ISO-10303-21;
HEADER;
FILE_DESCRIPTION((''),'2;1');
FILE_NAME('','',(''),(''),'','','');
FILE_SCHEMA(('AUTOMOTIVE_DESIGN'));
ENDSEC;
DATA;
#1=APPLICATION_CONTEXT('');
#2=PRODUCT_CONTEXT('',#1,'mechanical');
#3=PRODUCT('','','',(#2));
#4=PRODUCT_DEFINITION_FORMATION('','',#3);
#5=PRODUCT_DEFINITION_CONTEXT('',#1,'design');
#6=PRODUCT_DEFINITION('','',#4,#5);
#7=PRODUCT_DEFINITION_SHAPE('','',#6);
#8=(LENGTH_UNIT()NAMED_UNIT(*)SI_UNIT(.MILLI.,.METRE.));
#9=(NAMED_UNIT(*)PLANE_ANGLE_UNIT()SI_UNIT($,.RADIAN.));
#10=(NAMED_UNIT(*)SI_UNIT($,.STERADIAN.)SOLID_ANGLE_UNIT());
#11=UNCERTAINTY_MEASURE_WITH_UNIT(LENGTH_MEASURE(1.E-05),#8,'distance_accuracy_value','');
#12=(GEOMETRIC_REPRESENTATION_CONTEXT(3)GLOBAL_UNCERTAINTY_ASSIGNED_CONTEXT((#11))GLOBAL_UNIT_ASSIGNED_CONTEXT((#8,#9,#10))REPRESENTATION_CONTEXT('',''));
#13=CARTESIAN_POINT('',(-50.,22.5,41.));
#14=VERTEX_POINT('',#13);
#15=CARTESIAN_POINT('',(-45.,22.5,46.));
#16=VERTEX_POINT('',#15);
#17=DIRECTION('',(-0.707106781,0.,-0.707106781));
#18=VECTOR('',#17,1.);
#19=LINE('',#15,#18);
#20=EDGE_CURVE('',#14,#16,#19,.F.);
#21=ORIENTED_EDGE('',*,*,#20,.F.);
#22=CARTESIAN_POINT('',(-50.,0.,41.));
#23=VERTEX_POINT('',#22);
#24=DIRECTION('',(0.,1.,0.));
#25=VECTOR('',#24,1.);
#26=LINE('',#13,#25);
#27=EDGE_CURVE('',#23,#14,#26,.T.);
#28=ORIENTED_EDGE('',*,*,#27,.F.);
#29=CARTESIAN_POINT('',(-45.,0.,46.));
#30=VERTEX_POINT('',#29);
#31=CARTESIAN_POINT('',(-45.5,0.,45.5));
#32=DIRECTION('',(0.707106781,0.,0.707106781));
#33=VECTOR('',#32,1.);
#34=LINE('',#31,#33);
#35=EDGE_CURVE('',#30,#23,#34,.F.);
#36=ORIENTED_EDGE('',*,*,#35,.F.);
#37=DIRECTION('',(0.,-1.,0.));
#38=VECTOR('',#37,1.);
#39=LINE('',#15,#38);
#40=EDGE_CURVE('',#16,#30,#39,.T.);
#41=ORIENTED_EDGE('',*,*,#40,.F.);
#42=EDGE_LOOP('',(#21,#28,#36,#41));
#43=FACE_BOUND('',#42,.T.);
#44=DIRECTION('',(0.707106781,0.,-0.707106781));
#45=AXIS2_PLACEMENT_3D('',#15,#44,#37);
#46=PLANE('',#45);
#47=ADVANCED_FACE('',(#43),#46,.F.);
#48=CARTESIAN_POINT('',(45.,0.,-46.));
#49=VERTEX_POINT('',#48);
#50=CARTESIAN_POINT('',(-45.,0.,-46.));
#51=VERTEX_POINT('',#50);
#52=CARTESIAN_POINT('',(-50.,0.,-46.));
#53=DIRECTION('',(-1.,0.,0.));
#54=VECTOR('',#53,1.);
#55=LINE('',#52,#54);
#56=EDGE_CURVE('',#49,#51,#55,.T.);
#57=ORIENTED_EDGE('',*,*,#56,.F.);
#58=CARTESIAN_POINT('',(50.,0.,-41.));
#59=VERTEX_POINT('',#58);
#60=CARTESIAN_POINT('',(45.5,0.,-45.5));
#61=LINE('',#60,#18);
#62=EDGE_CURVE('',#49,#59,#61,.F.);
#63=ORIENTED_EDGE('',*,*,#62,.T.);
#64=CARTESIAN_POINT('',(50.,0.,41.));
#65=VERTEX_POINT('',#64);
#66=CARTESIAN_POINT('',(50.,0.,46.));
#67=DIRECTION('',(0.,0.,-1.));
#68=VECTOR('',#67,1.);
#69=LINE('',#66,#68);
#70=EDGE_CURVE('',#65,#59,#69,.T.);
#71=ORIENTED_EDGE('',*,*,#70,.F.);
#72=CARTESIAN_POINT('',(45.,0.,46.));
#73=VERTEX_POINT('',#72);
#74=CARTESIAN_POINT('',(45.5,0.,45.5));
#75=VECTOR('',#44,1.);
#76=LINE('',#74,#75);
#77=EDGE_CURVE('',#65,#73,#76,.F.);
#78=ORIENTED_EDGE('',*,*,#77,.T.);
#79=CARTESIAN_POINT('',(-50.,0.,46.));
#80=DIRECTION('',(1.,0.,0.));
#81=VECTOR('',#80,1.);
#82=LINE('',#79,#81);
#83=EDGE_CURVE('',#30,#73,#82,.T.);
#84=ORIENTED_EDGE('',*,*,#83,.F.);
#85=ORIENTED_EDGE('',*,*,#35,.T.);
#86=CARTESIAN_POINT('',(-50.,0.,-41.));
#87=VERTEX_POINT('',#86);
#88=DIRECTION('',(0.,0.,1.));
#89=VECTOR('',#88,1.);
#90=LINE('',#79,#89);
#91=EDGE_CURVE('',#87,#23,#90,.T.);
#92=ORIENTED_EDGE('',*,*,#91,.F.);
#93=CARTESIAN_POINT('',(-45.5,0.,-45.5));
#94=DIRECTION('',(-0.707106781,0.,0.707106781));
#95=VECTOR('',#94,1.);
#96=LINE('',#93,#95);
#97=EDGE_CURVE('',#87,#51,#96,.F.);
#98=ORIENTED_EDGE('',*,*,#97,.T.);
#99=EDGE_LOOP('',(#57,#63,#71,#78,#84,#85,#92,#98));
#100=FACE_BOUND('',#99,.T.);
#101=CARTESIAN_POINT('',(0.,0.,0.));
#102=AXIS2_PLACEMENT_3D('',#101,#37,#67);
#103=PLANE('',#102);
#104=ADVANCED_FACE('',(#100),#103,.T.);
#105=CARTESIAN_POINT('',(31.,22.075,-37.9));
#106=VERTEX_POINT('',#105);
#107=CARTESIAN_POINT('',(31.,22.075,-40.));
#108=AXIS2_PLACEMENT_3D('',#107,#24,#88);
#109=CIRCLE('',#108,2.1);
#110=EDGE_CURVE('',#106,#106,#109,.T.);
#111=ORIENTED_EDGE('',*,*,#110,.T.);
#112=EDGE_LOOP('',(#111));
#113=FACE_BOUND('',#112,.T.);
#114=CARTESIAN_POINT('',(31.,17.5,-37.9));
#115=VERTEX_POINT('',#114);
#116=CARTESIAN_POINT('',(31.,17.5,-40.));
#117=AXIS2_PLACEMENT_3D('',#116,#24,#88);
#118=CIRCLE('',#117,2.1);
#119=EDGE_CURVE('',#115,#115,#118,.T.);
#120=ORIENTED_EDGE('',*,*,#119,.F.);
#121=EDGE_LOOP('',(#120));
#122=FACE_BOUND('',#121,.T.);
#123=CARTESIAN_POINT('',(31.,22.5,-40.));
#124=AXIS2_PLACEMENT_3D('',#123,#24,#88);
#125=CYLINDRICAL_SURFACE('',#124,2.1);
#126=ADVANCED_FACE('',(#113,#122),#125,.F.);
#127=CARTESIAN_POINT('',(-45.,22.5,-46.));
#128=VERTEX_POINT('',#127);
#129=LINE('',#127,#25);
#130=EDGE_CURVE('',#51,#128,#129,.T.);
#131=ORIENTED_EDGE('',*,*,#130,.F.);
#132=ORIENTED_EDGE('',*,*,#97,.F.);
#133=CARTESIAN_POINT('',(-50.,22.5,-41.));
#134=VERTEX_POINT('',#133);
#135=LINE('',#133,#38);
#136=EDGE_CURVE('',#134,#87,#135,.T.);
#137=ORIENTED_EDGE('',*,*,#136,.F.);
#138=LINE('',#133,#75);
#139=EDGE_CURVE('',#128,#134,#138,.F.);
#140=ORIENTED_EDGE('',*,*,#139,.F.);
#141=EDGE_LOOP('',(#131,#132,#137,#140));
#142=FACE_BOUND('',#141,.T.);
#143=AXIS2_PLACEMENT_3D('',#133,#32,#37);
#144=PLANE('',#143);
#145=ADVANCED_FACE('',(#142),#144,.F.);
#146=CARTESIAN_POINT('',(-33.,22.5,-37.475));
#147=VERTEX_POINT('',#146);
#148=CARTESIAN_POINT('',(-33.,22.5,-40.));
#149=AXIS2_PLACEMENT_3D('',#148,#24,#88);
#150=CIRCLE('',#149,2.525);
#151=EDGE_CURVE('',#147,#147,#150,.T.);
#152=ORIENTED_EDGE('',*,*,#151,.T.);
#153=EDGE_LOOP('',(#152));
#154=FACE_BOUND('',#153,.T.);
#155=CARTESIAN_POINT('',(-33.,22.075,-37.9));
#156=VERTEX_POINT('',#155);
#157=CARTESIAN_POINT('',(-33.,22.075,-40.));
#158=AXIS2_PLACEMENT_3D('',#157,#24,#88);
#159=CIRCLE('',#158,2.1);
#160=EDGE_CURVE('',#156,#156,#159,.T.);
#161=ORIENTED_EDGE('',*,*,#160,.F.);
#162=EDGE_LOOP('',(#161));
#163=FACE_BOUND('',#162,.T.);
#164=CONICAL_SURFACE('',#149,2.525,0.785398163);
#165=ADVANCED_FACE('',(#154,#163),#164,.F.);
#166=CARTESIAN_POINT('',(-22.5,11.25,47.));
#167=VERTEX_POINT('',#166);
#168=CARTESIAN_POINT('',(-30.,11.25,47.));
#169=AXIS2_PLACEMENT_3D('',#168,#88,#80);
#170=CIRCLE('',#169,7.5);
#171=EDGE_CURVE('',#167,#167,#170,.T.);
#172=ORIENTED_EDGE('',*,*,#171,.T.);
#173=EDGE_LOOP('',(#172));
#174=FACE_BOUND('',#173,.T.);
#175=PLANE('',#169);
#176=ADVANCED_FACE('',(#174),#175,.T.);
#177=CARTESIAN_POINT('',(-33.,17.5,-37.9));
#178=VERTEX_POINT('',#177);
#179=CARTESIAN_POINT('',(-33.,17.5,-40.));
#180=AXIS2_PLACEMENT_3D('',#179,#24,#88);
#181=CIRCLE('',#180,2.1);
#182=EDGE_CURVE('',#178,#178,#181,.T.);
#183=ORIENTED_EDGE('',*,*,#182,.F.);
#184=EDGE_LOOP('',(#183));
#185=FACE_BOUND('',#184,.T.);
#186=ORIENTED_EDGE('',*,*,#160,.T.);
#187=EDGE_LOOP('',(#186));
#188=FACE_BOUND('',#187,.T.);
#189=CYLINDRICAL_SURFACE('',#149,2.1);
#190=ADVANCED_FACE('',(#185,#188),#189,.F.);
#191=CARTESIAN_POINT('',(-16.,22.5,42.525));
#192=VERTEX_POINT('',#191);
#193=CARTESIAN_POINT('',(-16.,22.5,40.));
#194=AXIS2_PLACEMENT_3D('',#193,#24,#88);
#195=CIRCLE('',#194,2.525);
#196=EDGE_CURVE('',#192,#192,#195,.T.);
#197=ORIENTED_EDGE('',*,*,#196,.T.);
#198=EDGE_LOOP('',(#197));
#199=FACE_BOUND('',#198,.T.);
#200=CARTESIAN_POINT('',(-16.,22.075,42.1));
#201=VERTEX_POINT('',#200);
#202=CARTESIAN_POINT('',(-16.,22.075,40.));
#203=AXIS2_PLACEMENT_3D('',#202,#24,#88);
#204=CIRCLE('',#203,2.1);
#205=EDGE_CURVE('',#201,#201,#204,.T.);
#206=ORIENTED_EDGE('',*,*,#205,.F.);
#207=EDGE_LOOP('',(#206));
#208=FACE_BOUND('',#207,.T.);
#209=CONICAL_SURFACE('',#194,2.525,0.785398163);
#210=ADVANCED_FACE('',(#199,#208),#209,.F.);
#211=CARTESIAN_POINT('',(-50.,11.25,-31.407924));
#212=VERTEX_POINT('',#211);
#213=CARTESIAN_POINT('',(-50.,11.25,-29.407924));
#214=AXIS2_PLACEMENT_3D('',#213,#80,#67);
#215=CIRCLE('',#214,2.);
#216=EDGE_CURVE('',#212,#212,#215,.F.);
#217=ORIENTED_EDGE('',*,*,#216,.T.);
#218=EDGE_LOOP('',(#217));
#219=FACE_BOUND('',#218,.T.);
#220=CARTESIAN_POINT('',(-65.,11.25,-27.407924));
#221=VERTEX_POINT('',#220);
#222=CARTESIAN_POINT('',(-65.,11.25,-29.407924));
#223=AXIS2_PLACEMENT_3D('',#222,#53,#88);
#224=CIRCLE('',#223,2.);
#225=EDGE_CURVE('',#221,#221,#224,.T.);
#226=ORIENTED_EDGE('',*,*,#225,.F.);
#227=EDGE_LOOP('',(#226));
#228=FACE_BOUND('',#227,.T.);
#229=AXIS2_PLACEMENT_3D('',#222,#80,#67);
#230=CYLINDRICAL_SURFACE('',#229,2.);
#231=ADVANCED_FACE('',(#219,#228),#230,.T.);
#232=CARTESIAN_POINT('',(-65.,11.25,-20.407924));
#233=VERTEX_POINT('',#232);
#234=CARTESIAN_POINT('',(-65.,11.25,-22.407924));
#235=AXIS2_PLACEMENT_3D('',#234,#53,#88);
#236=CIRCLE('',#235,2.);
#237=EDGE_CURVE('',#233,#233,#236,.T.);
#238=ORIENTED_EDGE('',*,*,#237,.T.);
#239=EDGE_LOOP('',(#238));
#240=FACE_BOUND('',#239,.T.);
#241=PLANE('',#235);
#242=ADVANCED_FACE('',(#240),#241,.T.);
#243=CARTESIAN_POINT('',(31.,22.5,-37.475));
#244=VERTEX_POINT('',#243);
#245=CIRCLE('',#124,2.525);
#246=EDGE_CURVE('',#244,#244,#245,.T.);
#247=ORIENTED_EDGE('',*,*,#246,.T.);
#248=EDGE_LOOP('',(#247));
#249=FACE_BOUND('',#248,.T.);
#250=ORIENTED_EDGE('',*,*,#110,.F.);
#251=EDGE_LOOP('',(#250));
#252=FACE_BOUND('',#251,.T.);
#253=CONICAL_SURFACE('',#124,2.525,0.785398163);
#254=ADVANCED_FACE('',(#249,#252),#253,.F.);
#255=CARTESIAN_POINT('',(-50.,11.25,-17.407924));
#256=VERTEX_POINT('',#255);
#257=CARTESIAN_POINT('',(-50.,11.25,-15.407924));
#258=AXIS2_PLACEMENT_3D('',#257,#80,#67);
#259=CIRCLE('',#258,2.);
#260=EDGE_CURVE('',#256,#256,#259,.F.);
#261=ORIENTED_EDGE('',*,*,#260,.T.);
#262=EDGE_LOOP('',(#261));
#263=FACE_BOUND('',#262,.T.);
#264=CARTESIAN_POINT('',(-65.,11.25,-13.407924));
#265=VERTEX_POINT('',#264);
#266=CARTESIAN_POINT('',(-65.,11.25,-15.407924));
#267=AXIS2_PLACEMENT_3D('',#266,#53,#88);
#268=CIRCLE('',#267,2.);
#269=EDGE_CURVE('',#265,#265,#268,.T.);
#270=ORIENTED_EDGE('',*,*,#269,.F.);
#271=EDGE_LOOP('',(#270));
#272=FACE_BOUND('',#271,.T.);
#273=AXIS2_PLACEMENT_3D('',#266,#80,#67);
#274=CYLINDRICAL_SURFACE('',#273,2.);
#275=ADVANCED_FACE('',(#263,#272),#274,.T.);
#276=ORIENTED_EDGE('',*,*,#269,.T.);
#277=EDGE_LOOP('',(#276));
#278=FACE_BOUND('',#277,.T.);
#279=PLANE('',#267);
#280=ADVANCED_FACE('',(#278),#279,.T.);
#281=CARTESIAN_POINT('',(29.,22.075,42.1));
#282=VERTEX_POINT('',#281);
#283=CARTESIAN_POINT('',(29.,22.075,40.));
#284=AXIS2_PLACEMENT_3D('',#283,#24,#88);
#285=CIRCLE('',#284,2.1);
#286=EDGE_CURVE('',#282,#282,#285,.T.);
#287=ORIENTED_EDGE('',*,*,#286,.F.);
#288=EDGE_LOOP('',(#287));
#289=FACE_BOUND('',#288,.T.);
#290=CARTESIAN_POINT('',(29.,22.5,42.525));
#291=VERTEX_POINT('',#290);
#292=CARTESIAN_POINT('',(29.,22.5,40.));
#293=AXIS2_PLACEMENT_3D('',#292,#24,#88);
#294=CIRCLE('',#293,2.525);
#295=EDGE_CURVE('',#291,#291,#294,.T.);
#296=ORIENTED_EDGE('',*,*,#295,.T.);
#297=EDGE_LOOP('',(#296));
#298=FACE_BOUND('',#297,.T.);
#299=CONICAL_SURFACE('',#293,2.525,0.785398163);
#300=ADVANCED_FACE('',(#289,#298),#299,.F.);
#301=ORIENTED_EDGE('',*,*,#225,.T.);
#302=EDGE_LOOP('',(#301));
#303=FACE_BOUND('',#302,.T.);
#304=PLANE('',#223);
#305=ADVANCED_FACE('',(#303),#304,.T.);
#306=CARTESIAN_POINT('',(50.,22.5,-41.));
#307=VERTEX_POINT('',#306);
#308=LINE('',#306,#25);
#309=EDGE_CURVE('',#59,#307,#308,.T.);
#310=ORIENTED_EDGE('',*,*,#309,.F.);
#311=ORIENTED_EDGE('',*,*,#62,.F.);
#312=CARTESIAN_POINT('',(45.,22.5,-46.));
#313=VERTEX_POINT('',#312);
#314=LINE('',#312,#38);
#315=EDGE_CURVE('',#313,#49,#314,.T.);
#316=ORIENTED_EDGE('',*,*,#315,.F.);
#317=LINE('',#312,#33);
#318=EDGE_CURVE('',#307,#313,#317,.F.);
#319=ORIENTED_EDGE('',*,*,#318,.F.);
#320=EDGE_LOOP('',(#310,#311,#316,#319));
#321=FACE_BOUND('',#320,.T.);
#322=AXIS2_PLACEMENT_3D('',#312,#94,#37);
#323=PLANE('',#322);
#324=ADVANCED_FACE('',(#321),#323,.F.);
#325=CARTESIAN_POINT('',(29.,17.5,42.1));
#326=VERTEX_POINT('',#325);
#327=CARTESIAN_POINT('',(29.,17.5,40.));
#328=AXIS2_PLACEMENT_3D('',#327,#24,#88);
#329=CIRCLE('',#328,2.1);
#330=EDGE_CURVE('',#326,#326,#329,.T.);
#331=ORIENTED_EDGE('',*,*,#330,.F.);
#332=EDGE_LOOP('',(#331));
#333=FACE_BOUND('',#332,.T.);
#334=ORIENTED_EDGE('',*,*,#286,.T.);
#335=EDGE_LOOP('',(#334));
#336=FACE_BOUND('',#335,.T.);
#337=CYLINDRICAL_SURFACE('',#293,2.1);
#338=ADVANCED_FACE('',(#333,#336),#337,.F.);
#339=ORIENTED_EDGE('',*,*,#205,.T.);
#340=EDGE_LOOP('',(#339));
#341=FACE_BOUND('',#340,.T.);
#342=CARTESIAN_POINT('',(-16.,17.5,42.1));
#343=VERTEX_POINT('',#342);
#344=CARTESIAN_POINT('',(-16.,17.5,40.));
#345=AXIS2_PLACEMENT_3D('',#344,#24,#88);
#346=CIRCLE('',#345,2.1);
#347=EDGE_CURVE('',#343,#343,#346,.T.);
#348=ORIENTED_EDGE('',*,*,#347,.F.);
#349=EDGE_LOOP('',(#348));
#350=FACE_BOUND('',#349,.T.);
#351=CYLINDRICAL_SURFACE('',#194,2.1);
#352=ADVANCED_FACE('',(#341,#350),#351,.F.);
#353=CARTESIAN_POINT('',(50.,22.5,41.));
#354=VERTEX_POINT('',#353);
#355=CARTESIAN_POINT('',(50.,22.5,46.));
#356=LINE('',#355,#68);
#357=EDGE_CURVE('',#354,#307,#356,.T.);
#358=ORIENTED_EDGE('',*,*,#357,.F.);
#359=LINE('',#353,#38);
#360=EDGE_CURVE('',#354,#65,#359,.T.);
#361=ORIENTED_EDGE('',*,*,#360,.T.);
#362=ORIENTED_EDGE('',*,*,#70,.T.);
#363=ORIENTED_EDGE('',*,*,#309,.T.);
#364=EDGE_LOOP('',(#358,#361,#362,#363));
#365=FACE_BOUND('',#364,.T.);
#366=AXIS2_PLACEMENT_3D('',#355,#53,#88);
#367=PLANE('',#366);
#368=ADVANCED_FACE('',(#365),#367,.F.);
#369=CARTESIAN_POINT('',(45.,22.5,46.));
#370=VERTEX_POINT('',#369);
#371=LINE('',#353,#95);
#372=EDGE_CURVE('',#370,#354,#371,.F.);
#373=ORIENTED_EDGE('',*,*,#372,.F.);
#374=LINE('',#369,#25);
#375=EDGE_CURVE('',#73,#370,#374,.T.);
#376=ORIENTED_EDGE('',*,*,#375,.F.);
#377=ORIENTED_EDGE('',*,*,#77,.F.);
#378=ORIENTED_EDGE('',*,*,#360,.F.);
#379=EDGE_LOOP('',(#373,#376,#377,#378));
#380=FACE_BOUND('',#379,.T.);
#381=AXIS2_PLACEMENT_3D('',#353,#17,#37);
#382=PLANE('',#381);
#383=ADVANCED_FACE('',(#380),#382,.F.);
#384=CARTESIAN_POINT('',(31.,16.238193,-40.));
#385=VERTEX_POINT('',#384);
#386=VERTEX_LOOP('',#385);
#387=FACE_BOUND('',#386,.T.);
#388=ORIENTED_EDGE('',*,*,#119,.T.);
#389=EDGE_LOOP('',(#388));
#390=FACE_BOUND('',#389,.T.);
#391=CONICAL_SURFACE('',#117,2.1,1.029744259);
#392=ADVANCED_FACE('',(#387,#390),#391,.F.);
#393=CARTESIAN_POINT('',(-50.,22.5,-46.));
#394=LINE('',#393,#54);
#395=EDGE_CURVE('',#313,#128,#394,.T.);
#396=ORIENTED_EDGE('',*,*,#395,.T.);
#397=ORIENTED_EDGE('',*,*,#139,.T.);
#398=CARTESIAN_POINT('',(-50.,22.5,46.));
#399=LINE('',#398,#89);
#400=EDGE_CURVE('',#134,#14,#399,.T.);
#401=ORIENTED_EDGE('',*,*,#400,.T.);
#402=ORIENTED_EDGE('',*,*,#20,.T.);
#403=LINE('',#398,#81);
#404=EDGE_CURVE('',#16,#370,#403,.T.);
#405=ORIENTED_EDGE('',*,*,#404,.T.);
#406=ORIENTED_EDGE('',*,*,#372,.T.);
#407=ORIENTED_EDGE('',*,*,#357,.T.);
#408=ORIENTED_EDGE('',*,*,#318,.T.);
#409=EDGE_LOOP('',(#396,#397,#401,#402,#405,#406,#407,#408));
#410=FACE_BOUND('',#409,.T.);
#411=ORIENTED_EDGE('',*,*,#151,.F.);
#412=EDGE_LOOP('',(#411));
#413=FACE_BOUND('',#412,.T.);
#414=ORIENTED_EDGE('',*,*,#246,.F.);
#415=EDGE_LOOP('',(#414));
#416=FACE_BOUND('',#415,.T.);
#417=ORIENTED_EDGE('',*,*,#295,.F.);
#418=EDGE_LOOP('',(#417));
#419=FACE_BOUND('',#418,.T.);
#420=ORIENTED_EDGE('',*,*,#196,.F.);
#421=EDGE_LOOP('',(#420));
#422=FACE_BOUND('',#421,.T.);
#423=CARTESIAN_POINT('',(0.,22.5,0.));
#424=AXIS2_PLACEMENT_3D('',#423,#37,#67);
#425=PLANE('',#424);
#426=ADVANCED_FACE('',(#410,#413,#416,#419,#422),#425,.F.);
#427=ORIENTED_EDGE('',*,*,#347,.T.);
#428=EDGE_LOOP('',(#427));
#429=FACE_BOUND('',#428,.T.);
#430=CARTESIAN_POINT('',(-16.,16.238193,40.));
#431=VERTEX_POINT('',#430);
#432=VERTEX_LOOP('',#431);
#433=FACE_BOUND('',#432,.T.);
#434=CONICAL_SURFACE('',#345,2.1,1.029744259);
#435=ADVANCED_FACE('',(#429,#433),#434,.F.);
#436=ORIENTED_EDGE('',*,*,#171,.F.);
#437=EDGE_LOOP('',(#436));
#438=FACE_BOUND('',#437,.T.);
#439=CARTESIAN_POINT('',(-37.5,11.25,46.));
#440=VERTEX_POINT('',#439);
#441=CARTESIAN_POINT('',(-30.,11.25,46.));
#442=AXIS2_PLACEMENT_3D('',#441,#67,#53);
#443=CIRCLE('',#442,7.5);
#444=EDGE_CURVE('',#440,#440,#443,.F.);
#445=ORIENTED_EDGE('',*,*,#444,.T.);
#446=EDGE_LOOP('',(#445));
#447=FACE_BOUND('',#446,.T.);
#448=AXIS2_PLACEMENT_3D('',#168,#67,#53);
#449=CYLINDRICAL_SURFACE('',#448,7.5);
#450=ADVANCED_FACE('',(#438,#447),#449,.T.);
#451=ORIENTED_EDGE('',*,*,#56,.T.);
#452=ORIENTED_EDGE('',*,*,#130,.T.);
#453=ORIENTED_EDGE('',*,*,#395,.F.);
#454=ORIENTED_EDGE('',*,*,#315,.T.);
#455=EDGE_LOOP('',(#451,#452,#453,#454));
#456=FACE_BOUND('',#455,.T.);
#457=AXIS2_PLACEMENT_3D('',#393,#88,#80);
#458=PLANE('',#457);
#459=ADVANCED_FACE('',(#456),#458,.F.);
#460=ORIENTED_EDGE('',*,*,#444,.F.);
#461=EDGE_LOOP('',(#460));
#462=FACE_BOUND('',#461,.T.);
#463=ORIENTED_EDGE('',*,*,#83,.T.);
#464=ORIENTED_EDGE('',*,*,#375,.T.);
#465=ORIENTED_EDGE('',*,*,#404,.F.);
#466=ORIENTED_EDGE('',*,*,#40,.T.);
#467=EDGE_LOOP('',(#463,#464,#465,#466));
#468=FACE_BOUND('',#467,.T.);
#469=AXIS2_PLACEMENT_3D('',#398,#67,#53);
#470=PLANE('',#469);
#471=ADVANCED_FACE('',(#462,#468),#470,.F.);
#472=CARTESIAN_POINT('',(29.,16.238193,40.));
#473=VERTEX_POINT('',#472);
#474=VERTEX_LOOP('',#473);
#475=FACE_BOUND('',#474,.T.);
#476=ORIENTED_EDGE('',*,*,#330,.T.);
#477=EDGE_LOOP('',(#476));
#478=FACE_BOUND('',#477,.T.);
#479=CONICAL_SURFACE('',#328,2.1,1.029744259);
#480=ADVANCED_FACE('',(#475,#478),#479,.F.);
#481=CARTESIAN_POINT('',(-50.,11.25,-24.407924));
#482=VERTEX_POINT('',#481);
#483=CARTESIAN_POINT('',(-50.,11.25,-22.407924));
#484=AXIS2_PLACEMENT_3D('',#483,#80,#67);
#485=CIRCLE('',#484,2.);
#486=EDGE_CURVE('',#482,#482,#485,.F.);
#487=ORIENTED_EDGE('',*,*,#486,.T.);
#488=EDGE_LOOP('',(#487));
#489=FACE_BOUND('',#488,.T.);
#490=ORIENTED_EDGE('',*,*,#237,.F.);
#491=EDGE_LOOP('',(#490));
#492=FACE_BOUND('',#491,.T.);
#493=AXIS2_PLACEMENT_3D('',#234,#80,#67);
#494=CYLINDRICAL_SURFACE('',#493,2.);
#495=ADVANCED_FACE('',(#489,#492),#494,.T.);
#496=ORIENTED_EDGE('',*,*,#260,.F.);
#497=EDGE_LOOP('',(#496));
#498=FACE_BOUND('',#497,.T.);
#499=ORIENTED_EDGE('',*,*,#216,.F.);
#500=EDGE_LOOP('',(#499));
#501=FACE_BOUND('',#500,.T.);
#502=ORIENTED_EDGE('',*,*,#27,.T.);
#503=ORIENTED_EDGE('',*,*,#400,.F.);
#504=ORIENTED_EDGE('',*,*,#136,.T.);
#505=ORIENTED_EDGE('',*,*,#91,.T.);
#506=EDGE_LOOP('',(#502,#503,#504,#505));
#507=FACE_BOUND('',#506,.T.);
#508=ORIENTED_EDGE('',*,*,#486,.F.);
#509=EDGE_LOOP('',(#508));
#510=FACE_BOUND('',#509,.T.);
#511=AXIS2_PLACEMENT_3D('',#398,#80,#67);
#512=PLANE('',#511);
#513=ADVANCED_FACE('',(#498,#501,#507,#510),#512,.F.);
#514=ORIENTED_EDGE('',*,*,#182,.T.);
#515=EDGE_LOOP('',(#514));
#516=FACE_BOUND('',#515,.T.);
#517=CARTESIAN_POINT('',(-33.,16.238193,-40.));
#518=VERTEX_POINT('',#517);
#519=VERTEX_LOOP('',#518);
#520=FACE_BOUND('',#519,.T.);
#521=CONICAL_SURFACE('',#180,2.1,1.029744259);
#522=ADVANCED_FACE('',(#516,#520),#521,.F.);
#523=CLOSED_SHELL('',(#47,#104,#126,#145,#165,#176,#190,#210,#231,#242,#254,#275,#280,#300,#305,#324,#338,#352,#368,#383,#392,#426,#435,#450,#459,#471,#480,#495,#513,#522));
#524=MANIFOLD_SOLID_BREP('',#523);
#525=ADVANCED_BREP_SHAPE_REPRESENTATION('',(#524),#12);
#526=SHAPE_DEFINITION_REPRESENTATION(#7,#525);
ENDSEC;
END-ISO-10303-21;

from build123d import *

# Parameters (mm, degrees)
SKETCH1_W                   = 100
SKETCH1_H                   = 92
BOSS_EXTRUDE1_DEPTH         = 22.5
CHAMFER1_SIZE               = 5
SKETCH3_R                   = 7.5
BOSS_EXTRUDE2_DEPTH         = 1
M5_TAPPED_HOLE1_D           = 4.2
M5_TAPPED_HOLE1_DEPTH       = 5
M5_TAPPED_HOLE1_CSINK_D     = 5.05
M5_TAPPED_HOLE1_CSINK_ANGLE = 90
M5_TAPPED_HOLE1_TIP         = 1.2618073
SKETCH8_R                   = 2
BOSS_EXTRUDE3_DEPTH         = 15


with BuildPart() as part:
    # Sketch1 → Boss-Extrude1 (new body)
    with BuildSketch(Plane(origin=(0, 0, 0), x_dir=(1, 0, 0), z_dir=(0, 1, 0))):
        Rectangle(SKETCH1_W, SKETCH1_H)
    extrude(amount=BOSS_EXTRUDE1_DEPTH)

    # Chamfer1
    chamfer1_edges = [part.edges().sort_by_distance(p)[0] for p in [
        (50, 11.25, 46),
        (-50, 11.25, 46),
        (-50, 11.25, -46),
        (50, 11.25, -46),
    ]]
    chamfer(chamfer1_edges, length=CHAMFER1_SIZE)

    # Sketch3 → Boss-Extrude2 (add)
    with BuildSketch(Plane.XY.offset(46)):
        with Locations((-30, 11.25)):
            Circle(SKETCH3_R)
    extrude(amount=BOSS_EXTRUDE2_DEPTH)

    # M5 Tapped Hole1
    with Locations(Plane(origin=(0, 22.5, 0), x_dir=(1, 0, 0), z_dir=(0, 1, 0))):
        with Locations((-33, 40), (31, 40), (29, -40), (-16, -40)):
            CounterSinkHole(M5_TAPPED_HOLE1_D / 2, M5_TAPPED_HOLE1_CSINK_D / 2, depth=M5_TAPPED_HOLE1_DEPTH, counter_sink_angle=M5_TAPPED_HOLE1_CSINK_ANGLE)
            with Locations((0, 0, -(M5_TAPPED_HOLE1_DEPTH + M5_TAPPED_HOLE1_TIP / 2))):  # 118° drill point
                Cone(0, M5_TAPPED_HOLE1_D / 2, M5_TAPPED_HOLE1_TIP, mode=Mode.SUBTRACT)

    # Sketch8 → Boss-Extrude3 (add)
    with BuildSketch(Plane.ZY.offset(50)):
        with Locations((-29.407923946, 11.25)):
            Circle(SKETCH8_R)
        with Locations((-22.407923946, 11.25)):
            Circle(SKETCH8_R)
        with Locations((-15.407923946, 11.25)):
            Circle(SKETCH8_R)
    extrude(amount=BOSS_EXTRUDE3_DEPTH)


solid = part.part
